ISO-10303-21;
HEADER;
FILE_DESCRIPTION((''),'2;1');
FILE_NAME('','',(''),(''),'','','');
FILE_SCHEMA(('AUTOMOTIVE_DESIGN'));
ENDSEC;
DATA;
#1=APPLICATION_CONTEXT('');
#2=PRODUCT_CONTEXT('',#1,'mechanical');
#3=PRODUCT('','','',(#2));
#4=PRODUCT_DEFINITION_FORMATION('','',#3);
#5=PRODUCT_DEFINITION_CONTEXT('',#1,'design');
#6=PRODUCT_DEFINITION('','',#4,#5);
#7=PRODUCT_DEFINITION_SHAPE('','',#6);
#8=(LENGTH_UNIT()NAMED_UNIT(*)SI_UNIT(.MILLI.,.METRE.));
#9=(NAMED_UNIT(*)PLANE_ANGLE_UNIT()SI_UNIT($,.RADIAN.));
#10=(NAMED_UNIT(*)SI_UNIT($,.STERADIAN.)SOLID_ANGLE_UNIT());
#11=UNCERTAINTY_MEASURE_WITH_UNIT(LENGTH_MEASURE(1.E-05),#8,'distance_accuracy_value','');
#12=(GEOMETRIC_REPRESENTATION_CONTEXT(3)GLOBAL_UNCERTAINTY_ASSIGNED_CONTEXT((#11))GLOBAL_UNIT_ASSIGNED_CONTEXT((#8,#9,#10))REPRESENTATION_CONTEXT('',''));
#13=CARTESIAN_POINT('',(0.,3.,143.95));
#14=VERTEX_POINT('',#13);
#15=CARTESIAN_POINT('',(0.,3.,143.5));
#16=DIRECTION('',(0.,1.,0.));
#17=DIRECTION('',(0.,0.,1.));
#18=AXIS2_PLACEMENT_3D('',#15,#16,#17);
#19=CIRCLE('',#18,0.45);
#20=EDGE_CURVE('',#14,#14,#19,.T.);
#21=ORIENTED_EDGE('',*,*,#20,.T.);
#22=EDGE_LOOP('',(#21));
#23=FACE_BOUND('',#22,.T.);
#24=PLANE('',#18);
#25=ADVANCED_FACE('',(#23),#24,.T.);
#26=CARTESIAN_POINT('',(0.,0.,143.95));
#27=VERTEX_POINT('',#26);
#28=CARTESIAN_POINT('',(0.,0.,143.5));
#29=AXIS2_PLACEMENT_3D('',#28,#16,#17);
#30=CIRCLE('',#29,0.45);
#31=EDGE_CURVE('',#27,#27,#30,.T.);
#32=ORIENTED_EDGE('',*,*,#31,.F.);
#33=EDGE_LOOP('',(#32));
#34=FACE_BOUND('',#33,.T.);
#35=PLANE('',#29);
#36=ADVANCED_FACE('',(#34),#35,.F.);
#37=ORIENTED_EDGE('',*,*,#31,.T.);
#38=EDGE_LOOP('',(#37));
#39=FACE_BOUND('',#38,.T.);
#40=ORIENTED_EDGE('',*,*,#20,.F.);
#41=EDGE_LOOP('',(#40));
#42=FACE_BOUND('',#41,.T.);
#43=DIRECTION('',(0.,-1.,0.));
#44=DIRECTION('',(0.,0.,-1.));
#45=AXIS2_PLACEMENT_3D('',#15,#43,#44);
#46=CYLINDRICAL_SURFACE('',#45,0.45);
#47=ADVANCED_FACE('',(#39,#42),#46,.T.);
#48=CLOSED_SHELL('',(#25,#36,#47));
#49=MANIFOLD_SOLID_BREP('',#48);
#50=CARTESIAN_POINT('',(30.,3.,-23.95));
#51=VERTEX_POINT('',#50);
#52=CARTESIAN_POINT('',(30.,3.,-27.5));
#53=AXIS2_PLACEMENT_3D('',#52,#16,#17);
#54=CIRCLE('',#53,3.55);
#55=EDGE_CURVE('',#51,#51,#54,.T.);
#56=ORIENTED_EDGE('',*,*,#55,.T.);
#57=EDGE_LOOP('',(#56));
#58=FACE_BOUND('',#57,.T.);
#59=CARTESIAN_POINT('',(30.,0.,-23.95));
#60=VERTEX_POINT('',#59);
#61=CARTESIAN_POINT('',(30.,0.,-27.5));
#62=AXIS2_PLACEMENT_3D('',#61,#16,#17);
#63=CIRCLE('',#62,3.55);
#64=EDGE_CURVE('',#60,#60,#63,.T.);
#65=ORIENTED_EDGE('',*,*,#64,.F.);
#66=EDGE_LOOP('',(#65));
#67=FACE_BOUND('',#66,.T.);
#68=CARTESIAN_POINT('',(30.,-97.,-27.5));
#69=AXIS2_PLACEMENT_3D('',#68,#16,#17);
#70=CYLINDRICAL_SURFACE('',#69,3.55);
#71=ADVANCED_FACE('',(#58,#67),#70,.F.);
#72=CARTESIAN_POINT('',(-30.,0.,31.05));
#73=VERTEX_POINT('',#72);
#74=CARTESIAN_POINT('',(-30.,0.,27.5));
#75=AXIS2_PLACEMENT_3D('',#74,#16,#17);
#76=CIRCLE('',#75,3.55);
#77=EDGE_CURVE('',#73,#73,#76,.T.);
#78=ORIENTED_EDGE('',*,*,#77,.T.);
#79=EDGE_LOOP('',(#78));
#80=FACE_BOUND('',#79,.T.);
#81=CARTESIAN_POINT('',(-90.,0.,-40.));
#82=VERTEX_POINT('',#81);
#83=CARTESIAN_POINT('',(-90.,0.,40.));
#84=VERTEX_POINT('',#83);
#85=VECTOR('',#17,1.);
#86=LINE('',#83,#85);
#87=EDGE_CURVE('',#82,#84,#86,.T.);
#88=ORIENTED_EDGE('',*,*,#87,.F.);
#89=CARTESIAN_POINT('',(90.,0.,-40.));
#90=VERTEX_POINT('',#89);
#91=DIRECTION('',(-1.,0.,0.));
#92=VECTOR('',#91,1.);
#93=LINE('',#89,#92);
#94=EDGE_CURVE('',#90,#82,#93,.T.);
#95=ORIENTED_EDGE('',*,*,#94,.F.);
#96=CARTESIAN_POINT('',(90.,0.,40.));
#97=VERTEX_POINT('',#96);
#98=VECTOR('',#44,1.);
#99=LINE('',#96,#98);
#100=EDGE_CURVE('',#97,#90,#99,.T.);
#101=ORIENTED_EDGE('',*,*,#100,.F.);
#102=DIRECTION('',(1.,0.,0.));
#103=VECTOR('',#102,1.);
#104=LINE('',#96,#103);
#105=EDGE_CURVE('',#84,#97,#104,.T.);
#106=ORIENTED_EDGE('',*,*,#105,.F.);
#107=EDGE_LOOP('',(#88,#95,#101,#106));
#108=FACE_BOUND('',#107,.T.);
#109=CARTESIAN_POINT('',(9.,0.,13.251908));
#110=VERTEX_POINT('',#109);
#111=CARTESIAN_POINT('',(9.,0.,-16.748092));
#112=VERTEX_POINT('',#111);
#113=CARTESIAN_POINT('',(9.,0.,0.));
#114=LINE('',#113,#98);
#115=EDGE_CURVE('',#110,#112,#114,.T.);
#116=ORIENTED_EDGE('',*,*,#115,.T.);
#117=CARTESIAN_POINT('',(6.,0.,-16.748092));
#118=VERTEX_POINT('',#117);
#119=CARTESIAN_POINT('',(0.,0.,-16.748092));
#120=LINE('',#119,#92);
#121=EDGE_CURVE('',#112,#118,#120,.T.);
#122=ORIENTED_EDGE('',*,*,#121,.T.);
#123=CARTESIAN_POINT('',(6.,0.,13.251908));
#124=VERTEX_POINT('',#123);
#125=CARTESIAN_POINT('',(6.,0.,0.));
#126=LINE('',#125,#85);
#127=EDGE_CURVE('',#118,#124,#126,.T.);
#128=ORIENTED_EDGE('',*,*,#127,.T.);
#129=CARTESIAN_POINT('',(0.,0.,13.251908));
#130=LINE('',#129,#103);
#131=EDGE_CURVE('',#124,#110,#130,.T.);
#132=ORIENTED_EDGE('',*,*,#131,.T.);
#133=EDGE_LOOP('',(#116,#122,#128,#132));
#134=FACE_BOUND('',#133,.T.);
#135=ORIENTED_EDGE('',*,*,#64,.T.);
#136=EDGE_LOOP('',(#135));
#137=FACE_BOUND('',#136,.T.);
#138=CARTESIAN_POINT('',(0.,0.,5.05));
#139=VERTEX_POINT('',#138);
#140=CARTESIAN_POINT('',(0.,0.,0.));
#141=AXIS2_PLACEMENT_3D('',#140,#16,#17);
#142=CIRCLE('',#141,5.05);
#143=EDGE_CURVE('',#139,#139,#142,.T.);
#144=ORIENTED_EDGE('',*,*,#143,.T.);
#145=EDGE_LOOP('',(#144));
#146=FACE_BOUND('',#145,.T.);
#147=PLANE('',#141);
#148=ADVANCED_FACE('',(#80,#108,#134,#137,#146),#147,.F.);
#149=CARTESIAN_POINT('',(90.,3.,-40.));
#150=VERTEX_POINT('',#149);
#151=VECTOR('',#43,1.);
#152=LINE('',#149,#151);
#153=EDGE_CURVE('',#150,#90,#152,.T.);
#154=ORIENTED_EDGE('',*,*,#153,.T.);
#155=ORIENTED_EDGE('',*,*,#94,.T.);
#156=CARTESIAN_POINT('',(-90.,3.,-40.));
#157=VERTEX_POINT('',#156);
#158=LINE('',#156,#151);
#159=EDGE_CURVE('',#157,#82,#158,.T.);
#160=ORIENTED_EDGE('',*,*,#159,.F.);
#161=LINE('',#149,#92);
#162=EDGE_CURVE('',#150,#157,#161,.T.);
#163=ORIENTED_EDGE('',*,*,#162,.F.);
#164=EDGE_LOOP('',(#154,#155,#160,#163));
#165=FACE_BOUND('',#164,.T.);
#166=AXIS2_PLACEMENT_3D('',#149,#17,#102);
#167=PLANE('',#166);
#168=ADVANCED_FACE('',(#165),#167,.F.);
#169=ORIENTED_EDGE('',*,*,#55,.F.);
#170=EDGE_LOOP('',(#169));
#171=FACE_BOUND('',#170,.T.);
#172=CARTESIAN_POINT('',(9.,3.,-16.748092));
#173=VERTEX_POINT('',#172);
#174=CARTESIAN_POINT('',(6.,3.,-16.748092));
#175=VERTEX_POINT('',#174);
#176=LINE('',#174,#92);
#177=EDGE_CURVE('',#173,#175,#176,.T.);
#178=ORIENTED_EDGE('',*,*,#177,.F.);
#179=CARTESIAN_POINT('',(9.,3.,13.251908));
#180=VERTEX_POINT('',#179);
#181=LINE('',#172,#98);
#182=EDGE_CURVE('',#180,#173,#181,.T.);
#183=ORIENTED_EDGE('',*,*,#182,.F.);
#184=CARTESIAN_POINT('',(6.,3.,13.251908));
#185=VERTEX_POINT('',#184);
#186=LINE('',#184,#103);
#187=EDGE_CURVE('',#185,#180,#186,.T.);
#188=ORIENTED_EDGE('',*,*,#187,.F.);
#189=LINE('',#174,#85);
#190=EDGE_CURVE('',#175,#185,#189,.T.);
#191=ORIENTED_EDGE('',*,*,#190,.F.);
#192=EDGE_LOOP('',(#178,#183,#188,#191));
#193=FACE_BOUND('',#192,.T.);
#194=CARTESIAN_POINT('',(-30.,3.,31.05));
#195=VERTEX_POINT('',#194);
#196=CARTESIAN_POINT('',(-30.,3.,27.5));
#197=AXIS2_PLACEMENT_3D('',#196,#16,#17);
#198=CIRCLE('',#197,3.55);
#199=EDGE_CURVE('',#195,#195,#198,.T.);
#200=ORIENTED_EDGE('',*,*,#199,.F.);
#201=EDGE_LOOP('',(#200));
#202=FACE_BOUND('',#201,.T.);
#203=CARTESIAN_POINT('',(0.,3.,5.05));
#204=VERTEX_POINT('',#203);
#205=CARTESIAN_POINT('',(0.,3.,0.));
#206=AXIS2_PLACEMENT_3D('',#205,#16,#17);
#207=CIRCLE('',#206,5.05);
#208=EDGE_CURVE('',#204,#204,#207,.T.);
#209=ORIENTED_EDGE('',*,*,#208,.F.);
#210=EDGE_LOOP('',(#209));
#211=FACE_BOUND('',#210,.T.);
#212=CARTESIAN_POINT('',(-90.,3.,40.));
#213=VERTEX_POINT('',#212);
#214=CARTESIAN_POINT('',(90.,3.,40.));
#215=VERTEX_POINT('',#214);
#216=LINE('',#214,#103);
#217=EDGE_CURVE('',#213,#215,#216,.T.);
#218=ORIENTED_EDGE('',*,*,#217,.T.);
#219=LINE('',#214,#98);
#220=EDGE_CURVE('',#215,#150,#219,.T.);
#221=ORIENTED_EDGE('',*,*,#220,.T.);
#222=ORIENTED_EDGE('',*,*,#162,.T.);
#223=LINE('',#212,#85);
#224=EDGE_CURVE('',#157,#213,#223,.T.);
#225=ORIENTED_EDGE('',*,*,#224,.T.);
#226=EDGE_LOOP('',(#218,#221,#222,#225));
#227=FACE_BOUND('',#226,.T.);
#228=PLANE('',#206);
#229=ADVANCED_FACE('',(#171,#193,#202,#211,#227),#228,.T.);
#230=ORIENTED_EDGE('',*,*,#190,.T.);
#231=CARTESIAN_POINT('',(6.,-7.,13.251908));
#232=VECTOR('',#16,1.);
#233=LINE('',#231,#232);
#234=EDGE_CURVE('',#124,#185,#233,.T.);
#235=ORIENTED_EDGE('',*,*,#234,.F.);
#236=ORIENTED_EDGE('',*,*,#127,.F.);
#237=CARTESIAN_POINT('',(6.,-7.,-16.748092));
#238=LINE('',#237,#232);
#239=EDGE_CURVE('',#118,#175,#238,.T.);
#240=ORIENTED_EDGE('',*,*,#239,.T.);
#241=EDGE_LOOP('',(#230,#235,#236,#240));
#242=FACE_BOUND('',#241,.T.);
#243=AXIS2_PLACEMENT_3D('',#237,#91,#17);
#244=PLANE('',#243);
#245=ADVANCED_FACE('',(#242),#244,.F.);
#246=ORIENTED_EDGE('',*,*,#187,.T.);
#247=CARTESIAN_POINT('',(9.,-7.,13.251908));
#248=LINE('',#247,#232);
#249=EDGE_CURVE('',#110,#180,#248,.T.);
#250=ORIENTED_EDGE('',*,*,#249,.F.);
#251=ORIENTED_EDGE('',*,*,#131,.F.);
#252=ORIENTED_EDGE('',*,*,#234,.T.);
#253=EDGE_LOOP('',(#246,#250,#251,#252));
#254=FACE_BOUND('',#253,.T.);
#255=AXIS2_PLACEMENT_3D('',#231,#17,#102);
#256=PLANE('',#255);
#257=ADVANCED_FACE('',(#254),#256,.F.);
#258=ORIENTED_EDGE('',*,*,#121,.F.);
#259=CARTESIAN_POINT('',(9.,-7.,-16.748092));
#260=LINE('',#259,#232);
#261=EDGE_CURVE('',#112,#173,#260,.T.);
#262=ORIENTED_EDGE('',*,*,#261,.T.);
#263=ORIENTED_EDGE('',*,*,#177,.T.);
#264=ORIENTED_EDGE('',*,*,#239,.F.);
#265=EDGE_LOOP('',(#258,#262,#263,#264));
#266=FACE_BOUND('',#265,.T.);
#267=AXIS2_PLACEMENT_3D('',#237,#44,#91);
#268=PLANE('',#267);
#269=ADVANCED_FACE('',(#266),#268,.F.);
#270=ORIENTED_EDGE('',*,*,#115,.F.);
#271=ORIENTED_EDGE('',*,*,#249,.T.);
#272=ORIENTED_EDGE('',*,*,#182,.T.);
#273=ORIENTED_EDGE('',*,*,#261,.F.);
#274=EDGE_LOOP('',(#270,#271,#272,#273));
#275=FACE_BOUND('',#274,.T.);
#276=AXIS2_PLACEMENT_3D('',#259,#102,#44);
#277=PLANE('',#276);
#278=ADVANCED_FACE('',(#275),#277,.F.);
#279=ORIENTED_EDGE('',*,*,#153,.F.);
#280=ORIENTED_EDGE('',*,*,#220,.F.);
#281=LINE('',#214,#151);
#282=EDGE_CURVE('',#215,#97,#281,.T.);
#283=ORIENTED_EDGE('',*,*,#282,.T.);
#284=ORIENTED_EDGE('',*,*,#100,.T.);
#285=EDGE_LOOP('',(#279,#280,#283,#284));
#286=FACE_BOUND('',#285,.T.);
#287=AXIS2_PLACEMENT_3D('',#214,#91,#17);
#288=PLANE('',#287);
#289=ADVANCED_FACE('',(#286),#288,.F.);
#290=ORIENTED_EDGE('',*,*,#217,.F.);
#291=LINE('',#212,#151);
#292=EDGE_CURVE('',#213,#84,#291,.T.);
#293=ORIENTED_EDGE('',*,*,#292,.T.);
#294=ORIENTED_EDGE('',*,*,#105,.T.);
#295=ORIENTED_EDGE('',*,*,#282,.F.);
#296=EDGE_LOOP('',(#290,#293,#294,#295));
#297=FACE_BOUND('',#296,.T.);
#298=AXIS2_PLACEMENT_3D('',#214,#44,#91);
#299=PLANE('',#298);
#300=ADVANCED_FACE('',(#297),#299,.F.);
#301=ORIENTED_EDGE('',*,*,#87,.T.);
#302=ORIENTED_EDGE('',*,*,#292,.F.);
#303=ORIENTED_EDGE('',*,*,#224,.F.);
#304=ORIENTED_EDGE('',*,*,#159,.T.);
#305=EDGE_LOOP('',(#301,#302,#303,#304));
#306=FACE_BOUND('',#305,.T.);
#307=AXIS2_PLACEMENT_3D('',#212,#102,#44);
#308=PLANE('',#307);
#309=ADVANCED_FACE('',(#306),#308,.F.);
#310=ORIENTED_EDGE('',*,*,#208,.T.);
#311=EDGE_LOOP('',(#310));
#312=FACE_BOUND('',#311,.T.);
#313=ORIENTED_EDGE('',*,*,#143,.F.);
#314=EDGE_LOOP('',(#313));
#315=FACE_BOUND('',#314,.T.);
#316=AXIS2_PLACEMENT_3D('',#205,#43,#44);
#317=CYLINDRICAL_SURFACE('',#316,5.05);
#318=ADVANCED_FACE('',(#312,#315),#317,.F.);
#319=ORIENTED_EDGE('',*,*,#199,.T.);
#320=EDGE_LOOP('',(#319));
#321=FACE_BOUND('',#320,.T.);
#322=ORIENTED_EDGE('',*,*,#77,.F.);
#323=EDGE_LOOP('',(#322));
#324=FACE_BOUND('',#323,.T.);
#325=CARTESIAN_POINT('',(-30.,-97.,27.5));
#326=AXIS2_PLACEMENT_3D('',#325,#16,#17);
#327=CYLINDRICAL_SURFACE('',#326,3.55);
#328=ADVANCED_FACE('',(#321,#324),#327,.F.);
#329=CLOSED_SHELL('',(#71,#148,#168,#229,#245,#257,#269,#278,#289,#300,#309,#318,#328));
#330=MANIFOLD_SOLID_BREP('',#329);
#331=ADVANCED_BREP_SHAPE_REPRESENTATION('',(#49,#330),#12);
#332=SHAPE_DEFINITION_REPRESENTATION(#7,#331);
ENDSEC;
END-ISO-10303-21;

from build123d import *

# Parameters (mm, degrees)
ESBO_O1_R                  = 0.45
RESSALTO_EXTRUS_O1_DEPTH   = 3
ESBO_O1_W                  = 180
ESBO_O1_H                  = 80
ESBO_O1_R_2                = 5.05
RESSALTO_EXTRUS_O1_2_DEPTH = 3
ESBO_O3_R                  = 3.55
CORTE_EXTRUS_O2_DEPTH      = 100
ESBO_O4_W                  = 3
ESBO_O4_H                  = 30
CORTE_EXTRUS_O3_DEPTH      = 10


with BuildPart() as part:
    # Esboço1 → Ressalto-extrusão1 (new body)
    with BuildSketch(Plane(origin=(0, 0, 0), x_dir=(1, 0, 0), z_dir=(0, 1, 0))):
        with Locations(Location((0, -143.5, 0), (0, 0, 270))):
            Circle(ESBO_O1_R)
    extrude(amount=RESSALTO_EXTRUS_O1_DEPTH)


with BuildPart() as body_2:
    # Esboço1 → Ressalto-extrus_o1 2 (new body)
    with BuildSketch(Plane(origin=(0, 0, 0), x_dir=(1, 0, 0), z_dir=(0, 1, 0))):
        Rectangle(ESBO_O1_W, ESBO_O1_H)
        with Locations(Location((0, 0, 0), (0, 0, 270))):
            Circle(ESBO_O1_R_2, mode=Mode.SUBTRACT)
    extrude(amount=RESSALTO_EXTRUS_O1_2_DEPTH)

    # Esboço3 → Corte-extrusão2 (cut)
    with BuildSketch(Plane(origin=(0, 3, 0), x_dir=(1, 0, 0), z_dir=(0, 1, 0))):
        with Locations(Location((30, 27.5, 0), (0, 0, 270))):
            Circle(ESBO_O3_R)
        with Locations(Location((-30, -27.5, 0), (0, 0, 270))):
            Circle(ESBO_O3_R)
    extrude(amount=-CORTE_EXTRUS_O2_DEPTH, mode=Mode.SUBTRACT)

    # Esboço4 → Corte-extrusão3 (cut)
    with BuildSketch(Plane(origin=(0, 3, 0), x_dir=(1, 0, 0), z_dir=(0, 1, 0))):
        with Locations((7.5, 1.748092336)):
            Rectangle(ESBO_O4_W, ESBO_O4_H)
    extrude(amount=-CORTE_EXTRUS_O3_DEPTH, mode=Mode.SUBTRACT)


solid = Compound([part.part, body_2.part])
